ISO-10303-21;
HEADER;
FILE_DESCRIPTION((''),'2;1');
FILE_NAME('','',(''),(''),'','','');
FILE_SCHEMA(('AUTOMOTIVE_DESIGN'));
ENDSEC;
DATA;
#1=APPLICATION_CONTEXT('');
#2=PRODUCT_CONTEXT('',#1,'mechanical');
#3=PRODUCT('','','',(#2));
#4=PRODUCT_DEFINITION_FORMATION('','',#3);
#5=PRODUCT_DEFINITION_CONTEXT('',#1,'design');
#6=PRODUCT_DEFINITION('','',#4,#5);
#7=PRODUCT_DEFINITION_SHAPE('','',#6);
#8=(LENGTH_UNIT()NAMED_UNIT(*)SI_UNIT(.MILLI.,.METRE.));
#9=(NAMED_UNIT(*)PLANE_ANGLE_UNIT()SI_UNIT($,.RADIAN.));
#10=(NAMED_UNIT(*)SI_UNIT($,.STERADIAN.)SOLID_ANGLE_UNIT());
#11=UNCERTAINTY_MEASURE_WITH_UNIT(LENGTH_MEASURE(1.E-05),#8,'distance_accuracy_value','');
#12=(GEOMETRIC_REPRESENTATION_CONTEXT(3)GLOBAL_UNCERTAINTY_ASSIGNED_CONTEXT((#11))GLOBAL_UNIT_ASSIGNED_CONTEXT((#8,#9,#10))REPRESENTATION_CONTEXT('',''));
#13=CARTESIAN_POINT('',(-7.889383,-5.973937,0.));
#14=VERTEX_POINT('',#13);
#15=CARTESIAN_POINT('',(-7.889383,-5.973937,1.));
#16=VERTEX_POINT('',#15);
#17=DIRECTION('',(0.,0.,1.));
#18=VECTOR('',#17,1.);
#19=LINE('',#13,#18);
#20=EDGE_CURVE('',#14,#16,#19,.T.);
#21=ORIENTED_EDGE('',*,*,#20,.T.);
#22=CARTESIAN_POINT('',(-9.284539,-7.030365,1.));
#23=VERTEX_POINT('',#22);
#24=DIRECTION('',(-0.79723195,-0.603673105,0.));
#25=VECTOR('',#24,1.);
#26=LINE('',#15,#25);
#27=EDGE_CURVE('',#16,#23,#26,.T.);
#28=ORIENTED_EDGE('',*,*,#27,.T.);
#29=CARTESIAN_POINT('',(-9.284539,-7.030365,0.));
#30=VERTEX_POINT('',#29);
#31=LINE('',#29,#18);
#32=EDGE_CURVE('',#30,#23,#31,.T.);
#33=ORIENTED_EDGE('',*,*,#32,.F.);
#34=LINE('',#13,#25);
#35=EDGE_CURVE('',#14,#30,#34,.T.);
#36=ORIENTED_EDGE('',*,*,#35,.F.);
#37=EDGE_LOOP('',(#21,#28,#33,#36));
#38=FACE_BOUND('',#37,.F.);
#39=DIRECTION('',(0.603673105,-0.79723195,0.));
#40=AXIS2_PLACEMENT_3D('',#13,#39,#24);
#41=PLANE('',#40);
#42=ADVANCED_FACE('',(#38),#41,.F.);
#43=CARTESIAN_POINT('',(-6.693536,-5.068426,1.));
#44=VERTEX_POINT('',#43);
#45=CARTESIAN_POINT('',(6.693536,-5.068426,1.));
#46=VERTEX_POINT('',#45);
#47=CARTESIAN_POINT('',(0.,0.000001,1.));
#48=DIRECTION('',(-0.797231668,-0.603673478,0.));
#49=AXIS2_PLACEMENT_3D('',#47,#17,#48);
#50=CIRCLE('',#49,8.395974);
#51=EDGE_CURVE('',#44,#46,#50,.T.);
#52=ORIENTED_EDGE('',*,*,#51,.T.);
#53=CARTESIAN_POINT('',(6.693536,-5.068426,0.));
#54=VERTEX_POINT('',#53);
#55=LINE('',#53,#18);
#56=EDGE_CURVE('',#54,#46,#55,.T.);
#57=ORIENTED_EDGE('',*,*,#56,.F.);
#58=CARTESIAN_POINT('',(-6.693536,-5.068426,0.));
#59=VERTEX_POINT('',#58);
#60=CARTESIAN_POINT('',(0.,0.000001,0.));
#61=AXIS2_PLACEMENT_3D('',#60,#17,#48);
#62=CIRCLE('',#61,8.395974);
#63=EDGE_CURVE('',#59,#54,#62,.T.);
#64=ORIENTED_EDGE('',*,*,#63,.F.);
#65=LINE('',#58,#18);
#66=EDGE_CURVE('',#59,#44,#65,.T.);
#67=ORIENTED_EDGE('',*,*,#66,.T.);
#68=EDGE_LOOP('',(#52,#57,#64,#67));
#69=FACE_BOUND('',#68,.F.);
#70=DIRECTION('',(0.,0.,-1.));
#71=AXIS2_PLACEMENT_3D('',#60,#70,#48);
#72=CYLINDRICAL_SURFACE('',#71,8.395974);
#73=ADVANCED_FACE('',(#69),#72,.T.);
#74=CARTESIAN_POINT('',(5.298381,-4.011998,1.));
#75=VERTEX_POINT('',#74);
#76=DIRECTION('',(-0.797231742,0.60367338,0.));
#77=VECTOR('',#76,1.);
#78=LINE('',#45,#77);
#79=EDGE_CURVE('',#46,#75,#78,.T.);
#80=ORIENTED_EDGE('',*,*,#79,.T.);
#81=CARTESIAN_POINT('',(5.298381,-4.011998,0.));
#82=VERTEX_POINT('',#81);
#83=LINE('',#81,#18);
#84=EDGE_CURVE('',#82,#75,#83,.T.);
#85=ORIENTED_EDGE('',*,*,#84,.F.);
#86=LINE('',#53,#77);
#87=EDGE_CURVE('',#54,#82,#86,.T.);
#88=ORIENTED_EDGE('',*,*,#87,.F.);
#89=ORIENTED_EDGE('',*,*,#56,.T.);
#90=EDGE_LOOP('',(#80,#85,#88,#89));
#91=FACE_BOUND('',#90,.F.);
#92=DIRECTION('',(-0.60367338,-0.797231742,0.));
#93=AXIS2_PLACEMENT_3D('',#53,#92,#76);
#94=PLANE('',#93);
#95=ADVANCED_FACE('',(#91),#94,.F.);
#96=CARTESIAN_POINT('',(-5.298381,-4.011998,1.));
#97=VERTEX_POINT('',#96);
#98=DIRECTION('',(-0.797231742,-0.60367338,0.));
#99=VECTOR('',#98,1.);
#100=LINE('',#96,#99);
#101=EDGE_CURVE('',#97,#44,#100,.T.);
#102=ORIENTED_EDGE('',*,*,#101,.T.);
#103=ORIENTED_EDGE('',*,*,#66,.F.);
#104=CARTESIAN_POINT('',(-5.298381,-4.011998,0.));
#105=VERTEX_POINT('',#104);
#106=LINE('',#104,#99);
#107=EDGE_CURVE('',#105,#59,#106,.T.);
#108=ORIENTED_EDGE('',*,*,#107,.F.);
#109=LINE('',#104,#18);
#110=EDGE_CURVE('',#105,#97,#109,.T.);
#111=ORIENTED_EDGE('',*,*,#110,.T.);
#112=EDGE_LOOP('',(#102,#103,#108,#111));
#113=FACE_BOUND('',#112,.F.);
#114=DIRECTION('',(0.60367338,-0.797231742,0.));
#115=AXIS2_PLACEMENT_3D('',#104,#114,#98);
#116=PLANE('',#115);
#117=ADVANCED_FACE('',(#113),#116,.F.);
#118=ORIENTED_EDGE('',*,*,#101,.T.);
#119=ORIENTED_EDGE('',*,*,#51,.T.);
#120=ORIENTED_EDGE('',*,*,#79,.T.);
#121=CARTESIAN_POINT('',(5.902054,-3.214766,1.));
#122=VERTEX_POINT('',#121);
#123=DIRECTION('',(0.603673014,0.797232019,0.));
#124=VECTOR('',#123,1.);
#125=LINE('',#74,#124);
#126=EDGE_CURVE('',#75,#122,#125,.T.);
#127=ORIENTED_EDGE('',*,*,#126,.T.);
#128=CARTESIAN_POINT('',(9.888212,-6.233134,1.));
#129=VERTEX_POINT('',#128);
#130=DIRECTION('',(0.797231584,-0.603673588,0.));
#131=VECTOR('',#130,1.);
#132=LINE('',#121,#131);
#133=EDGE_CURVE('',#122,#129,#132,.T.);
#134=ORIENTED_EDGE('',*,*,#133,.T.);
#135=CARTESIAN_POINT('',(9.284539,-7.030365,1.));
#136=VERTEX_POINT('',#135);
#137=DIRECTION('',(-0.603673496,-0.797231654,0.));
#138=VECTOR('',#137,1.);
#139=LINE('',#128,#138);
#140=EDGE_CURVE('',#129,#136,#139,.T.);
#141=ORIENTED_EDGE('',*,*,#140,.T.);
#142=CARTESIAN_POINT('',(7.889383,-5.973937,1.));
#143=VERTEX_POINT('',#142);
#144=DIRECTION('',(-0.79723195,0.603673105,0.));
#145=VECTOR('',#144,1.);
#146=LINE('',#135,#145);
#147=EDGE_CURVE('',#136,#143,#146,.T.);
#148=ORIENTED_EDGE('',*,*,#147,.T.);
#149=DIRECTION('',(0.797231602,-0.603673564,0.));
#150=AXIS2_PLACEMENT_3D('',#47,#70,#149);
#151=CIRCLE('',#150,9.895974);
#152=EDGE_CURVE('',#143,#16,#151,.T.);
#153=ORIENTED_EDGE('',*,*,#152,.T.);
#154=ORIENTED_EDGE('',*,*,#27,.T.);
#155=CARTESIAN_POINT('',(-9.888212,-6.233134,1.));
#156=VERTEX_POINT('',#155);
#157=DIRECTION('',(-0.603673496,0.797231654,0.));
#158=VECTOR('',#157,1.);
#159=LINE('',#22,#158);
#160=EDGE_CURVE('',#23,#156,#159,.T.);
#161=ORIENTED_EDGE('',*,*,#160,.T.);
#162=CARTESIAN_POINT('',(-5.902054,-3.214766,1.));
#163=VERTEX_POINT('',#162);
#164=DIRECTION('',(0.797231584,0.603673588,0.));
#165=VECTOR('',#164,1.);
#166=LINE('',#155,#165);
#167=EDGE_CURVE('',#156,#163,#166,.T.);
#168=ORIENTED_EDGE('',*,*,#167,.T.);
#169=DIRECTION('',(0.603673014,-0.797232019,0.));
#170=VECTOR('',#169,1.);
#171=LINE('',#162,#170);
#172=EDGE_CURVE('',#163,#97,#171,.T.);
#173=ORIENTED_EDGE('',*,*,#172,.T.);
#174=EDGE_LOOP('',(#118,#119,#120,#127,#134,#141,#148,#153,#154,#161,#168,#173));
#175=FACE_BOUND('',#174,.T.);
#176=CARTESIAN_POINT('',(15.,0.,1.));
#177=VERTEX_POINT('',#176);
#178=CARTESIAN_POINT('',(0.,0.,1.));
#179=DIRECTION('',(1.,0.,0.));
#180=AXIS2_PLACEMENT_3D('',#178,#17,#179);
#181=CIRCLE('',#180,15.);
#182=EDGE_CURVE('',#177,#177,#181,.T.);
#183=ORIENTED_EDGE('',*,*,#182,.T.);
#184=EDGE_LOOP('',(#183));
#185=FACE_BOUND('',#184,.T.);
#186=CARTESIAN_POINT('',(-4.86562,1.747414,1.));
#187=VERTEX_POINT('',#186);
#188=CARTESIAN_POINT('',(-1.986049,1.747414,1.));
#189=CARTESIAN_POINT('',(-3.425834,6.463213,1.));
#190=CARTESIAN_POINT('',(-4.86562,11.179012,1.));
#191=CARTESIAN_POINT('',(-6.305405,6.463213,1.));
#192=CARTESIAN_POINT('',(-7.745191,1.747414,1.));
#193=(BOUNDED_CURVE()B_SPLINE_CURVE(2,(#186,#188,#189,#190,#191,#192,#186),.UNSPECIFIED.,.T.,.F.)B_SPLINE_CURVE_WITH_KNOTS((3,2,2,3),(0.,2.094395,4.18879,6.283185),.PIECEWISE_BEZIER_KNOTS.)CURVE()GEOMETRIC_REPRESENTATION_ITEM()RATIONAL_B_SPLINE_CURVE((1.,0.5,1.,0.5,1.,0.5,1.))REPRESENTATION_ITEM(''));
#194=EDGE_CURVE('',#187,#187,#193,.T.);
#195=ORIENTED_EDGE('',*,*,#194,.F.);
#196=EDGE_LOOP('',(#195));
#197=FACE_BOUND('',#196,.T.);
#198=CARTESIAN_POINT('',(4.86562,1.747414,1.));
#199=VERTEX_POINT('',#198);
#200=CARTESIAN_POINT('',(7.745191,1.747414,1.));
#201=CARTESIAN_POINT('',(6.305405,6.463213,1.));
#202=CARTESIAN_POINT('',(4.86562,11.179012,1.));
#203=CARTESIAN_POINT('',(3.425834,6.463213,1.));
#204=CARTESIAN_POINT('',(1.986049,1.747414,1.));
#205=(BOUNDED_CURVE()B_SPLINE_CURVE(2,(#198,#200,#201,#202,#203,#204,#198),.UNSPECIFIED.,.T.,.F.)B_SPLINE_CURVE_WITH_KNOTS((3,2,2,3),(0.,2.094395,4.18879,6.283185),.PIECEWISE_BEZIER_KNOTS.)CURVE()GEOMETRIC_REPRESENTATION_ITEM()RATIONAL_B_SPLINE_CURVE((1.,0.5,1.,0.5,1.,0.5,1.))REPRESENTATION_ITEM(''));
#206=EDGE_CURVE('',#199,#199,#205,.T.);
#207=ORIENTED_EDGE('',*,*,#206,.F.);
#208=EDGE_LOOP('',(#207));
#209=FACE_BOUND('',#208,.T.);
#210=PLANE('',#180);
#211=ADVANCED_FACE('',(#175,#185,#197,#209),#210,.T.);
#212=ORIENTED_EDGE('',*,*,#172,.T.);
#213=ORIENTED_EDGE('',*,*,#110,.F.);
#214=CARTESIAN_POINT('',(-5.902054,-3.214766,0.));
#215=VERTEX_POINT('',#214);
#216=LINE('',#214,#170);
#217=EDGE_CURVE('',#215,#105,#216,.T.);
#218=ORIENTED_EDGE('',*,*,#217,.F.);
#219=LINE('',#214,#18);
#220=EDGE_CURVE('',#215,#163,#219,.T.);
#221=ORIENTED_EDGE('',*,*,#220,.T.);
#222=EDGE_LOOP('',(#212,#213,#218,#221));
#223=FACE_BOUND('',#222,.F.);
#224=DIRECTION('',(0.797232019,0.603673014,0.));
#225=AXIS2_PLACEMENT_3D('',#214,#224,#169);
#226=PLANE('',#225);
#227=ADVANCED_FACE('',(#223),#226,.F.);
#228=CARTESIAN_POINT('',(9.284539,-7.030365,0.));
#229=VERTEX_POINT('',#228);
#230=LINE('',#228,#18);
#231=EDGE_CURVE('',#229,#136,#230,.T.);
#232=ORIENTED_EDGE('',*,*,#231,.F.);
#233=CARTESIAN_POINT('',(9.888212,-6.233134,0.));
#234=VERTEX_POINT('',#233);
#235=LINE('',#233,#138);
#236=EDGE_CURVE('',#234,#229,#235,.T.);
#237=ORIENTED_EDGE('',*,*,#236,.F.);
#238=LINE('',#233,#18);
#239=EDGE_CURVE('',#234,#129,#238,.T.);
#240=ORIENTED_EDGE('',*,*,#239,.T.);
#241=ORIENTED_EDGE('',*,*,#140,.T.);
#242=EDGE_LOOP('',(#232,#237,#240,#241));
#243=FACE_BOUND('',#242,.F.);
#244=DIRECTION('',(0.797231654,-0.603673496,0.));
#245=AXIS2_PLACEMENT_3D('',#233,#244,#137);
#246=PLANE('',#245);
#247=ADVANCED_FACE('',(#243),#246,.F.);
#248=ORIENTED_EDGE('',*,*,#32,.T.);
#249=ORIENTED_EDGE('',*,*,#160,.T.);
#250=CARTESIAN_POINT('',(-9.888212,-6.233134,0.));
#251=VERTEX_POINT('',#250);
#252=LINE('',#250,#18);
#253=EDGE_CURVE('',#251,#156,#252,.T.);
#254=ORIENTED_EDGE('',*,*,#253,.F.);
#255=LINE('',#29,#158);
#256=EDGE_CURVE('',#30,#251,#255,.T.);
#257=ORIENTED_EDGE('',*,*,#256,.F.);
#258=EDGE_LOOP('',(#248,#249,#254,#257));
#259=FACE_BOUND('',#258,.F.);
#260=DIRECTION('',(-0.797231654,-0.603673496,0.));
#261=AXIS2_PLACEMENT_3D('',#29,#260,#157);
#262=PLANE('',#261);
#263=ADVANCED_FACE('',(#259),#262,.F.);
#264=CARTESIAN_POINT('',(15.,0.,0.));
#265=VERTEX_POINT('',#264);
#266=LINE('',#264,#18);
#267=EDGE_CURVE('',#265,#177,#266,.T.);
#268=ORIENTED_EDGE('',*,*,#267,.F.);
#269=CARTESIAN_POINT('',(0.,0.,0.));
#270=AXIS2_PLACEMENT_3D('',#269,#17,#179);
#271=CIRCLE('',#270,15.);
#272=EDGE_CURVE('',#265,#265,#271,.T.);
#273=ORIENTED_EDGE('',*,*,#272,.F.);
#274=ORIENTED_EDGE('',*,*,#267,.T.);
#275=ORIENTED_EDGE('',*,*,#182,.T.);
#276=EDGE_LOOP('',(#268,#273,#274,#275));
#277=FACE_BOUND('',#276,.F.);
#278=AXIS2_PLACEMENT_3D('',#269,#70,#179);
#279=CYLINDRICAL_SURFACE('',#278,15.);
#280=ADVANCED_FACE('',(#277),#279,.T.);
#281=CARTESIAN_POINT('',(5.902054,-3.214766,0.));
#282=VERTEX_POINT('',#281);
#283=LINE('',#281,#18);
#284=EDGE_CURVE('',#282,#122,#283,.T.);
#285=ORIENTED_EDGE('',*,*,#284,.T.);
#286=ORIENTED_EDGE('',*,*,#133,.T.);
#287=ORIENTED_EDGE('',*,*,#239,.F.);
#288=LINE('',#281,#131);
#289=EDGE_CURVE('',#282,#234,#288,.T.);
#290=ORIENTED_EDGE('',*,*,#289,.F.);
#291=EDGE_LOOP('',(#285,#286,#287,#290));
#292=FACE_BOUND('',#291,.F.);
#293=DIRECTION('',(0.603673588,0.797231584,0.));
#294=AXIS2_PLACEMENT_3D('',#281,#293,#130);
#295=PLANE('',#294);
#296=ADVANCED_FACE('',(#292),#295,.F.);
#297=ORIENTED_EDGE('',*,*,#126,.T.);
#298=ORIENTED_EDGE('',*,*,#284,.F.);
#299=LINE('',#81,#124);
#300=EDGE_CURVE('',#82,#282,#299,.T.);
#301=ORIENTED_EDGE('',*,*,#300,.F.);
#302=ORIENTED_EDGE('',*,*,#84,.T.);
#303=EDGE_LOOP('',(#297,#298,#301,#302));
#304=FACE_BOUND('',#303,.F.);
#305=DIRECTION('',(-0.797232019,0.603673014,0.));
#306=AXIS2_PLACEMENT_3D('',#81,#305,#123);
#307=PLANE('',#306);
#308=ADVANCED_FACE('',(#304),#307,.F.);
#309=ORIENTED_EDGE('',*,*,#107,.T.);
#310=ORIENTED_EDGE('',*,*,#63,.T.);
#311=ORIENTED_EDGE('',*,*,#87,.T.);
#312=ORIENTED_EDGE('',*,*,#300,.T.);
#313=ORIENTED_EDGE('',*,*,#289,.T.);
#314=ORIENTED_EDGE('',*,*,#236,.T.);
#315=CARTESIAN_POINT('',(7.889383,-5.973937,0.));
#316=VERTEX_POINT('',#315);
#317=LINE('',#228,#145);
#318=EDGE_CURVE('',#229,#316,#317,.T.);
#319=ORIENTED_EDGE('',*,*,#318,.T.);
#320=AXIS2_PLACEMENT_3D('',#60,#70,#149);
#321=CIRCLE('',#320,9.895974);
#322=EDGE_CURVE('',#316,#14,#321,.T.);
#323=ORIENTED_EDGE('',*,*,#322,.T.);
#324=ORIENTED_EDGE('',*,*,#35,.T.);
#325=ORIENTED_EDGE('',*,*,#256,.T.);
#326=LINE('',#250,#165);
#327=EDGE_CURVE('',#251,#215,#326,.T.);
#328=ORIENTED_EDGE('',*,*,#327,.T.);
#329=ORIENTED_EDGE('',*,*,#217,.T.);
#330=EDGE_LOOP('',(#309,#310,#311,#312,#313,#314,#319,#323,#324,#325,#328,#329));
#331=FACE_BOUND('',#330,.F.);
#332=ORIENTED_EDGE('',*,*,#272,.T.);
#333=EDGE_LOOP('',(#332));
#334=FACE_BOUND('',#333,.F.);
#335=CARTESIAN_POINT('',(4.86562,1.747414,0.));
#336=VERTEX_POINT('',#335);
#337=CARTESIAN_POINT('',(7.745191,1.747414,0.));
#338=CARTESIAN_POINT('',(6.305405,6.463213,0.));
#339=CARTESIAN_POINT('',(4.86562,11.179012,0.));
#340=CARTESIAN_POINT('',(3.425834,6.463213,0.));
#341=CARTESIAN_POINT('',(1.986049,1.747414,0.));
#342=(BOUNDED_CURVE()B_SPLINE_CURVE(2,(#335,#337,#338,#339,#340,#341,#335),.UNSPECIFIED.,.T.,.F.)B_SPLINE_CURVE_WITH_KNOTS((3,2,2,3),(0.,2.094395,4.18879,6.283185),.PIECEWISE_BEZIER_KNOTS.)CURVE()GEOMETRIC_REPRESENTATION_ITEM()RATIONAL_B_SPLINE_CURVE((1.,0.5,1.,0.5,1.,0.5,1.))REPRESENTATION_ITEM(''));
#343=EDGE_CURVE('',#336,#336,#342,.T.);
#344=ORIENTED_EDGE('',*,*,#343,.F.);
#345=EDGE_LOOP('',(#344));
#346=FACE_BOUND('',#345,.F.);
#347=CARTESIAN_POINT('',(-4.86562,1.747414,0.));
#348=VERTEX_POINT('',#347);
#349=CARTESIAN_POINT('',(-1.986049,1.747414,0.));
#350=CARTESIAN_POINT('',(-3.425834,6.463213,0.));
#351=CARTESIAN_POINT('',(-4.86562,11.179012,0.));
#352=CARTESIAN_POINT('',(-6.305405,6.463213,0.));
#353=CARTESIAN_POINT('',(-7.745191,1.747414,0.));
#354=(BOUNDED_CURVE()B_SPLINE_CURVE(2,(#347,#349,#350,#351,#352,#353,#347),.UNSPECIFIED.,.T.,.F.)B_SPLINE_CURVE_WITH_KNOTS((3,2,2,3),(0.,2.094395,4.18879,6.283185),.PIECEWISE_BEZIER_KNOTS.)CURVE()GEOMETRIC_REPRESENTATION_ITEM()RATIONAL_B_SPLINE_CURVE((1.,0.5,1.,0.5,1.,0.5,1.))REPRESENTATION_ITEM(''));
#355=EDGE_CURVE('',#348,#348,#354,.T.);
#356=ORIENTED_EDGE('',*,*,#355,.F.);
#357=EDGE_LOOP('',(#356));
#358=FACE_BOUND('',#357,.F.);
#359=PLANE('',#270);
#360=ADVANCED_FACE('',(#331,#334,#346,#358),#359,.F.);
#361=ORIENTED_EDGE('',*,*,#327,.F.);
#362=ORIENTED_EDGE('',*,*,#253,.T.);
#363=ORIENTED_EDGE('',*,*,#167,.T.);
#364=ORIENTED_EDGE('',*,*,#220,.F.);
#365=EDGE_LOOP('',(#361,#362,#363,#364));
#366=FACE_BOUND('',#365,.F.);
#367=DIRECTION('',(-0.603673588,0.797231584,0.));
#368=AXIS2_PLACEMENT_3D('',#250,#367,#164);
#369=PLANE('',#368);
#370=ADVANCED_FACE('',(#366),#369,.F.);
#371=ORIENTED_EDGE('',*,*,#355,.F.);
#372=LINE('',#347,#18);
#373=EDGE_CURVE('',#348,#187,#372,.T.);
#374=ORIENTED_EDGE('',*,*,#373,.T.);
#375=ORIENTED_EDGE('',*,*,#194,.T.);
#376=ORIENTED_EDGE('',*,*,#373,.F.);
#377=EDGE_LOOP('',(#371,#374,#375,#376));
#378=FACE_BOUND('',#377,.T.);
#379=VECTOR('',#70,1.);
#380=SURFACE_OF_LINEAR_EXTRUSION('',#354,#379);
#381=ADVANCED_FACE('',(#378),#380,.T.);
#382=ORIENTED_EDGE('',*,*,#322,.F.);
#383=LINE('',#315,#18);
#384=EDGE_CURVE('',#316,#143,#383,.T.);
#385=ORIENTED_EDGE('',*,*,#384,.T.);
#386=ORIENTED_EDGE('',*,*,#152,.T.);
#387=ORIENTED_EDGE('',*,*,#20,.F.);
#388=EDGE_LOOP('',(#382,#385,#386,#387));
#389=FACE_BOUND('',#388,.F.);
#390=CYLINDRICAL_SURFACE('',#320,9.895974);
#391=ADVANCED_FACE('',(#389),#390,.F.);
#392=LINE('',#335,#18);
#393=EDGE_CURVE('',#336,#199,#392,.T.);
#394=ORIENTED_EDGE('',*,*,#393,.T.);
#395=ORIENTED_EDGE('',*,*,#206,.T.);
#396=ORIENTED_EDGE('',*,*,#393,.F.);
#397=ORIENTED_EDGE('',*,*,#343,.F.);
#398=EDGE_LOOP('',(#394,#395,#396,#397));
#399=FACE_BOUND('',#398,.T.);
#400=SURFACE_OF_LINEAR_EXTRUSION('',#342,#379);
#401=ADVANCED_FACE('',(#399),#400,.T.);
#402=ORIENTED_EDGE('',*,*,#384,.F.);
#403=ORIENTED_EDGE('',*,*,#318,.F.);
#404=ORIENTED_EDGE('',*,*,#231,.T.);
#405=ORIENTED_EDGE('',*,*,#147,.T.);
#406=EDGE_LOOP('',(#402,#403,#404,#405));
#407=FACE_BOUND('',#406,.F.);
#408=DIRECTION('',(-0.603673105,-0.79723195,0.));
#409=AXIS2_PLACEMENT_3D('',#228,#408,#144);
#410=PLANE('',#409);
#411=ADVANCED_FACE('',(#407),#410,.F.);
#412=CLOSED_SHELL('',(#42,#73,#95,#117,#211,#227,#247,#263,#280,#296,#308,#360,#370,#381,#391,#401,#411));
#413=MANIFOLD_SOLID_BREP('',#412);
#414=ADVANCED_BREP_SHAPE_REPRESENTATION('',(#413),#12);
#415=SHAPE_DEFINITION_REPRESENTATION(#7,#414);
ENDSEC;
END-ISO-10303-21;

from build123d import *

# Parameters (mm, degrees)
F0_R     = 15
F1_DEPTH = 1


with BuildPart() as f1:
    # F0 (on Top) → F1 (new body)
    with BuildSketch(Plane.XY):
        Circle(F0_R)
        with BuildLine():
            Line((-5.298381, -4.011998), (-6.693536, -5.068426))
            ThreePointArc((-6.693536, -5.068426), (0, -8.395973), (6.693536, -5.068426))
            Line((6.693536, -5.068426), (5.298381, -4.011998))
            Line((5.298381, -4.011998), (5.902054, -3.214766))
            Line((5.902054, -3.214766), (9.888212, -6.233134))
            Line((9.888212, -6.233134), (9.284539, -7.030365))
            Line((9.284539, -7.030365), (7.889383, -5.973937))
            ThreePointArc((7.889383, -5.973937), (0, -9.895973), (-7.889383, -5.973937))
            Line((-7.889383, -5.973937), (-9.284539, -7.030365))
            Line((-9.284539, -7.030365), (-9.888212, -6.233134))
            Line((-9.888212, -6.233134), (-5.902054, -3.214766))
            Line((-5.902054, -3.214766), (-5.298381, -4.011998))
        make_face(mode=Mode.SUBTRACT)
        with BuildLine():
            add(Edge.make_bspline(
                [(-4.86562, 1.747414), (-1.986049, 1.747414), (-3.425834, 6.463213), (-4.86562, 11.179012), (-6.305405, 6.463213), (-7.745191, 1.747414), (-4.86562, 1.747414)],
                knots=[0, 0, 0, 2.094395, 2.094395, 4.18879, 4.18879, 6.283185, 6.283185, 6.283185], degree=2, weights=[1, 0.5, 1, 0.5, 1, 0.5, 1]))
        make_face(mode=Mode.SUBTRACT)
        with BuildLine():
            add(Edge.make_bspline(
                [(4.86562, 1.747414), (7.745191, 1.747414), (6.305405, 6.463213), (4.86562, 11.179012), (3.425834, 6.463213), (1.986049, 1.747414), (4.86562, 1.747414)],
                knots=[0, 0, 0, 2.094395, 2.094395, 4.18879, 4.18879, 6.283185, 6.283185, 6.283185], degree=2, weights=[1, 0.5, 1, 0.5, 1, 0.5, 1]))
        make_face(mode=Mode.SUBTRACT)
    extrude(amount=F1_DEPTH)


solid = f1.part
